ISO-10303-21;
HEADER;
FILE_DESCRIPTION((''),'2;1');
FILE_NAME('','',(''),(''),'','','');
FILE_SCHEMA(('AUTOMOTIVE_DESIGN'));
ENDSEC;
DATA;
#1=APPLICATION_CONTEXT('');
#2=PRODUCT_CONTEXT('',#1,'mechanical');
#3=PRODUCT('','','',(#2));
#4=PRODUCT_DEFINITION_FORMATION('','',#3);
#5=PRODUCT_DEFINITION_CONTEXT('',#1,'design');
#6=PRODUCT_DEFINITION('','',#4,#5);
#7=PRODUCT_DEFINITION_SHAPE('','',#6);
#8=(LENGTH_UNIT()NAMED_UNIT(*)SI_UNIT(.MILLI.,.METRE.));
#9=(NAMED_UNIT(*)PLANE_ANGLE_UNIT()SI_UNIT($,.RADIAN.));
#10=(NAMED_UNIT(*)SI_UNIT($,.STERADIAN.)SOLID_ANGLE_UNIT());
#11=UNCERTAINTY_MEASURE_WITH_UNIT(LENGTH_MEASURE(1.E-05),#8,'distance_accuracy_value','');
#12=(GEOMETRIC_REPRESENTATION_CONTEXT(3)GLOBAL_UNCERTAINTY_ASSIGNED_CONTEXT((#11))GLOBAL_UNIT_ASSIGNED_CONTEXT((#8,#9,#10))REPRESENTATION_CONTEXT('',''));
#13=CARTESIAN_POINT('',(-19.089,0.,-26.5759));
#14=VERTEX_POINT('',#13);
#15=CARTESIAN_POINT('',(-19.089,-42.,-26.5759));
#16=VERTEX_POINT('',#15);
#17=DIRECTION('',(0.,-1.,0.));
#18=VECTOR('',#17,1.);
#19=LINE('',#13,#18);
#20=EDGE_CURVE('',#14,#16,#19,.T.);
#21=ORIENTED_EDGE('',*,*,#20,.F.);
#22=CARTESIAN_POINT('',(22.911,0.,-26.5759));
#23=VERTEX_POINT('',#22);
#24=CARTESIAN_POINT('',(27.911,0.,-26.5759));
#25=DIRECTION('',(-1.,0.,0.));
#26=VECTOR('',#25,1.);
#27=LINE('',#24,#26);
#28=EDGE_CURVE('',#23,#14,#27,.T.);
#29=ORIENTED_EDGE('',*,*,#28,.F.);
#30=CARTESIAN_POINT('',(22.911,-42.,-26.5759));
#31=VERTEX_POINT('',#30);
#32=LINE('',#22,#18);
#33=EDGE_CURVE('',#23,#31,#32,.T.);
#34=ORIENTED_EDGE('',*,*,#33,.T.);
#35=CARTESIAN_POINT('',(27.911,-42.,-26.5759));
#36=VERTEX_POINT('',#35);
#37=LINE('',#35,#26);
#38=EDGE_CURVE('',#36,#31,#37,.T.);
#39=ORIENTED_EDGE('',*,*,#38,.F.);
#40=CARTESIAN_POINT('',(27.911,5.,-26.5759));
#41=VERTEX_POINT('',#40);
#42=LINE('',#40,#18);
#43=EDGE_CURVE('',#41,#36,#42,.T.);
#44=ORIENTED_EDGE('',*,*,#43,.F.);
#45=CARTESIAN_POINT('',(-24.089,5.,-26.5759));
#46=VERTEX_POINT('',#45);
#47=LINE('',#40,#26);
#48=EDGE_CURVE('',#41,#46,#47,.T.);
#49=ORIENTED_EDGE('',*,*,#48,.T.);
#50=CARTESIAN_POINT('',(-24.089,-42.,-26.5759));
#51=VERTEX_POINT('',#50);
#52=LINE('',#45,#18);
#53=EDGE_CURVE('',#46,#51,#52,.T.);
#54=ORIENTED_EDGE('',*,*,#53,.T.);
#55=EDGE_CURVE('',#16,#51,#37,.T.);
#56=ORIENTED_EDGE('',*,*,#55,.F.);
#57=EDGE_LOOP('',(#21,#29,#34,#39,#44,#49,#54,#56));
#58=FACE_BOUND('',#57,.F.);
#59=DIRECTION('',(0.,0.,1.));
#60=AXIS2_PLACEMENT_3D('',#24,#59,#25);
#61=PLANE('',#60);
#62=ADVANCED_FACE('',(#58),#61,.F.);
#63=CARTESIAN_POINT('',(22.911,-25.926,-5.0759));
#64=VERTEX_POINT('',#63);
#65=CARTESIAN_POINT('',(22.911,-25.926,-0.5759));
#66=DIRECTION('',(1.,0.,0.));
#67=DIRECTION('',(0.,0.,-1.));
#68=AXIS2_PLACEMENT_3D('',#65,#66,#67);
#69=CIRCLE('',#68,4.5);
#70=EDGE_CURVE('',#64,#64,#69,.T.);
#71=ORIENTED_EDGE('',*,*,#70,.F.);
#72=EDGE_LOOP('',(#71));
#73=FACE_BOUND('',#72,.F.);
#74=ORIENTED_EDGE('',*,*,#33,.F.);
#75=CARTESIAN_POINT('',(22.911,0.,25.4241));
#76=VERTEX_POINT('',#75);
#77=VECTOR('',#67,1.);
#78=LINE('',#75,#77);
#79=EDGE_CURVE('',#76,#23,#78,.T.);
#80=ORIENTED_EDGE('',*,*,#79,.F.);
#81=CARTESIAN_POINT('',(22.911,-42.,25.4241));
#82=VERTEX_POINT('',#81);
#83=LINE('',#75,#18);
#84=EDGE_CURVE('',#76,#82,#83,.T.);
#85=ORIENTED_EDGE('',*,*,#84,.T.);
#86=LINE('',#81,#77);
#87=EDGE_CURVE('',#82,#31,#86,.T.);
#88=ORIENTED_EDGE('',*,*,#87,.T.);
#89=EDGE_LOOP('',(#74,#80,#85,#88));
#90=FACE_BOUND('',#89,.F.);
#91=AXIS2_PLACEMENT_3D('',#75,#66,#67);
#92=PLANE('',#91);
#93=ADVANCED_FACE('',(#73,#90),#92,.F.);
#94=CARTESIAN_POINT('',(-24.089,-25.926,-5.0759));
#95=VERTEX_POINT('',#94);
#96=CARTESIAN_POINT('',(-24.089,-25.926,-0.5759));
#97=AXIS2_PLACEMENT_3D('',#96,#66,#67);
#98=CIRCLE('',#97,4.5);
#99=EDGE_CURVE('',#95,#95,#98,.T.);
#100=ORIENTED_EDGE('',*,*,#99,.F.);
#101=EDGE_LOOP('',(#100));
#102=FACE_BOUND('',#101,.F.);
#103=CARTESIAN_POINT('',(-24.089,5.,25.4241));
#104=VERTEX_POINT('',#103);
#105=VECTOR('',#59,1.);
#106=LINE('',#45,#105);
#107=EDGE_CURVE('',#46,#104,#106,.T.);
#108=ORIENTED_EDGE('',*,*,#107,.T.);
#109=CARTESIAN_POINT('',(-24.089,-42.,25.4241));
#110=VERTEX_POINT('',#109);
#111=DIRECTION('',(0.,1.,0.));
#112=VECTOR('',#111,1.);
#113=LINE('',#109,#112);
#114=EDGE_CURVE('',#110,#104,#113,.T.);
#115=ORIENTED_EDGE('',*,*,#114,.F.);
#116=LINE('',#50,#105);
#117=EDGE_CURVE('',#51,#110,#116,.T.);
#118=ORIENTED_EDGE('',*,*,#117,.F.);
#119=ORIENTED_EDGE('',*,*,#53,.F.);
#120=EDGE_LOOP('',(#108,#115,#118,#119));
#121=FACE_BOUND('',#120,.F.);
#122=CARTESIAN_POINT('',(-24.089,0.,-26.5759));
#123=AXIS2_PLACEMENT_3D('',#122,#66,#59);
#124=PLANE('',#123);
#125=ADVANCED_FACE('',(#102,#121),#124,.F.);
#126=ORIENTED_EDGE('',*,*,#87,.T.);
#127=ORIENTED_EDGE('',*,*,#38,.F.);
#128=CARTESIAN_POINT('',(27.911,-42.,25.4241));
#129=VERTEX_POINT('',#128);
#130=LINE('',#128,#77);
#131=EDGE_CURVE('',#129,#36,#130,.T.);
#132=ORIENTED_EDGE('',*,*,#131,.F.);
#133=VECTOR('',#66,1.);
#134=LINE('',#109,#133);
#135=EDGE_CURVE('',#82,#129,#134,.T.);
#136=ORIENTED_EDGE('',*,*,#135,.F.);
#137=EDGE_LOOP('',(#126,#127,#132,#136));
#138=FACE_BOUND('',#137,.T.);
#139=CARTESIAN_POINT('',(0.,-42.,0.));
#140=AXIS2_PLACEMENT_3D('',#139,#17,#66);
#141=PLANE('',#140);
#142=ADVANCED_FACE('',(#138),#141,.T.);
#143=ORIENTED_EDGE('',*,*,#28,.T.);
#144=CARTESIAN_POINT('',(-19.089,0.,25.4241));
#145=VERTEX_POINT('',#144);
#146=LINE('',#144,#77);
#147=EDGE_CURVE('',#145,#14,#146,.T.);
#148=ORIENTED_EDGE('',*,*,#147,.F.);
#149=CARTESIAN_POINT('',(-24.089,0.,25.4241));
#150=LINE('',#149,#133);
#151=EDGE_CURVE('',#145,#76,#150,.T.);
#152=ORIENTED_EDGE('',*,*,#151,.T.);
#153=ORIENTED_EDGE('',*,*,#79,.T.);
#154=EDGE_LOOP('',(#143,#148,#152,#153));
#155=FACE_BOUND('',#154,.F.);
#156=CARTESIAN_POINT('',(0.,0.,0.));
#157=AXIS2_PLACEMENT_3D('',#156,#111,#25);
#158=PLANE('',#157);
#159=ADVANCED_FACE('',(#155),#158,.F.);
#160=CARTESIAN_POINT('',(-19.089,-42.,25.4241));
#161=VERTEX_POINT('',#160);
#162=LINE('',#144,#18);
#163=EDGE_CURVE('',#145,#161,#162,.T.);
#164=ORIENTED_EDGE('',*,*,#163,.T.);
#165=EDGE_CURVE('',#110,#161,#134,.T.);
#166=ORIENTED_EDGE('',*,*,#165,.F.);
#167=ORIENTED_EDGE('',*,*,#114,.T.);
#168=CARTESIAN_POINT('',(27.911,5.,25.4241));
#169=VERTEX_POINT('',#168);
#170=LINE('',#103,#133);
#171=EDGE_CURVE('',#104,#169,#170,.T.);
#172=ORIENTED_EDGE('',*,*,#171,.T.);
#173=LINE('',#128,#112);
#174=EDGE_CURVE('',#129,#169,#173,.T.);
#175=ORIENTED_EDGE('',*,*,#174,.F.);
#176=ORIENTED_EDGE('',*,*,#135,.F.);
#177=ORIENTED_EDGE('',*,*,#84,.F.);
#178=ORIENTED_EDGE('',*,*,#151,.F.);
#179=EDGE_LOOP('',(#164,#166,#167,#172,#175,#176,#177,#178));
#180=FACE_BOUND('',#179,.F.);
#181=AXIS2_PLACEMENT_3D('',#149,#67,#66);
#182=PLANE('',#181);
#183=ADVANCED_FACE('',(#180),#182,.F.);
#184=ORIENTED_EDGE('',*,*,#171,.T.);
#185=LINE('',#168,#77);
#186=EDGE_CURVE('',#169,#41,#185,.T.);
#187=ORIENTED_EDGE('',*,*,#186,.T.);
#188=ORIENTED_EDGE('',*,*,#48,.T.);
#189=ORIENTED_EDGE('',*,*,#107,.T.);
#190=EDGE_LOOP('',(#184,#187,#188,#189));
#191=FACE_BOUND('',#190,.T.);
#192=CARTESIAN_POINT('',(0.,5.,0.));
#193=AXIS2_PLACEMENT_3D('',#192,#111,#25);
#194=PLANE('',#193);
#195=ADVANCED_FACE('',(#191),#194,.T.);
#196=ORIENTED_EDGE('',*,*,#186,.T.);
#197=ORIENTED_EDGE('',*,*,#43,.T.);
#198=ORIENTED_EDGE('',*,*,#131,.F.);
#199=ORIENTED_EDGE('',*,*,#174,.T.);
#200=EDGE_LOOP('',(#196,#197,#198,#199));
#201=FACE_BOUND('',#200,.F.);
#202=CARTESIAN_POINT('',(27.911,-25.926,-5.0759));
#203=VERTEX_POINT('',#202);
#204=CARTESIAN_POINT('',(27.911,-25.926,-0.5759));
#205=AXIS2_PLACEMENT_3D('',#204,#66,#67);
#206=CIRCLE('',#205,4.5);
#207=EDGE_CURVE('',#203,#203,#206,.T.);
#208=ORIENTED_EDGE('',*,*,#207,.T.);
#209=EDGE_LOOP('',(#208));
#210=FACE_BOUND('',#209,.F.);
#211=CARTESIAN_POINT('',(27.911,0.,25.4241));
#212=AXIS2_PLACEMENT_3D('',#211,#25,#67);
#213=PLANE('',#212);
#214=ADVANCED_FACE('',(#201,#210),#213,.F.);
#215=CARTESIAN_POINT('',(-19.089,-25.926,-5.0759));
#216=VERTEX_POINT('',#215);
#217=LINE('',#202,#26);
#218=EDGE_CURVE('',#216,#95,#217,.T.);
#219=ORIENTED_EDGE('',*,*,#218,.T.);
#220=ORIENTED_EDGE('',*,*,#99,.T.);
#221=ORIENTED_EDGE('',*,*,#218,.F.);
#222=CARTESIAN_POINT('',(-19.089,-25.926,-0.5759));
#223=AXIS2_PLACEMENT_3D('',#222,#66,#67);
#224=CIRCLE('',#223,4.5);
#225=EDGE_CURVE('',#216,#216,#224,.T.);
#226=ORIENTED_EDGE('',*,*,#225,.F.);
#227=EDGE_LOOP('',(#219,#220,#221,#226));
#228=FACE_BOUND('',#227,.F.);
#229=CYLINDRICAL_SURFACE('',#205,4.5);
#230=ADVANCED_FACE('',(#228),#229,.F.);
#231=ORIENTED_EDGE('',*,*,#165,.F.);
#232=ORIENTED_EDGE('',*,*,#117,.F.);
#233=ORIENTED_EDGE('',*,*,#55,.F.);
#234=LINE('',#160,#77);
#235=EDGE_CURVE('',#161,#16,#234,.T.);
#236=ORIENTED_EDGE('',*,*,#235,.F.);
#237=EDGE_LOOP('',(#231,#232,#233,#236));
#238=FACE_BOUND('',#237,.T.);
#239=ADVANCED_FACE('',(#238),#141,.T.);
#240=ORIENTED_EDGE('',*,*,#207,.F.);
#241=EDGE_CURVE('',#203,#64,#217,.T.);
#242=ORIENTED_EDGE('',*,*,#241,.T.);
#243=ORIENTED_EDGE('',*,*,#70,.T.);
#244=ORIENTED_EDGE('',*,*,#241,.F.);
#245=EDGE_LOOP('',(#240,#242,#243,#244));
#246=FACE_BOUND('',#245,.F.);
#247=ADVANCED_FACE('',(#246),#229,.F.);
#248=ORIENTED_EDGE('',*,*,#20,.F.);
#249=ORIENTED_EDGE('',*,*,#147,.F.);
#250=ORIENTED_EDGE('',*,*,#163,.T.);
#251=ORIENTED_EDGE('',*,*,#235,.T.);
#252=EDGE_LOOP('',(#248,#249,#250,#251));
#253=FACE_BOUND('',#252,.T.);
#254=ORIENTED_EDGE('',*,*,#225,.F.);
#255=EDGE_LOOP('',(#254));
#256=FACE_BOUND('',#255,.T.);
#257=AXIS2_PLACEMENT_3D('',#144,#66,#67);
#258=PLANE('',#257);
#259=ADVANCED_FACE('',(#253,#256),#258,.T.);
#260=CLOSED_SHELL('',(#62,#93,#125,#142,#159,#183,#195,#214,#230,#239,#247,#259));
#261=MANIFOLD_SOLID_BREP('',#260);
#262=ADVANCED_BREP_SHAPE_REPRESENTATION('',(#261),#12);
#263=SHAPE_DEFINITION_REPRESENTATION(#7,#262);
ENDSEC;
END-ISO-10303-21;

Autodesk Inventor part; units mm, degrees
ref_plane "YZ Plane" through (0, 0, 0) normal (1, 0, 0) x (0, 1, 0)
ref_plane "XZ Plane" through (0, 0, 0) normal (0, 1, 0) x (-1, 0, 0)
ref_plane "XY Plane" through (0, 0, 0) normal (0, 0, 1) x (1, 0, 0)
sketch "스케치1" plane through (0, 0, 0) normal (0, 1, 0) x (-1, 0, 0)
  line L0 (24.089, 25.4241) -> (-27.911, 25.4241)
  line L1 (-27.911, 25.4241) -> (-27.911, -26.5759)
  line L2 (-27.911, -26.5759) -> (24.089, -26.5759)
  line L3 (24.089, -26.5759) -> (24.089, 25.4241)
  point P0 (0, 0)
  dimension "d0" = 52
  dimension "d1" = 52
extrude "돌출2" add sketch "스케치1" along normal blind 5
sketch "스케치2" plane through (0, 0, 0) normal (0, -1, 0) x (1, 0, 0)
  line L0 (27.911, 25.4241) -> (27.911, -26.5759) projected
  line L1 (-24.089, 25.4241) -> (27.911, 25.4241) projected
  line L2 (-24.089, -26.5759) -> (-24.089, 25.4241) projected
  line L3 (27.911, -26.5759) -> (-24.089, -26.5759) projected
  line L4 (-24.089, 25.4241) -> (-19.089, 25.4241)
  line L5 (-19.089, 25.4241) -> (-19.089, -26.5759)
  line L6 (-19.089, -26.5759) -> (-24.089, -26.5759)
  line L7 (-24.089, -26.5759) -> (-24.089, 25.4241)
  line L8 (27.911, 25.4241) -> (22.911, 25.4241)
  line L9 (22.911, 25.4241) -> (22.911, -26.5759)
  line L10 (22.911, -26.5759) -> (27.911, -26.5759)
  line L11 (27.911, -26.5759) -> (27.911, 25.4241)
  point P0 (0, 0)
  dimension "d8" = 5
  dimension "d9" = 5
extrude "돌출3" add sketch "스케치2" along normal blind 42 contours L0 L3 L9 L1 | L5 L3 L2 L1
sketch "스케치4" plane through (0, 5, 0) normal (0, 1, 0) x (1, 0, 0)
  line L0 (27.911, -25.4241) -> (27.911, 26.5759) projected
  line L1 (27.911, 26.5759) -> (-24.089, 26.5759) projected
  line L2 (-24.089, 26.5759) -> (-24.089, -25.4241) projected
  line L3 (-24.089, -25.4241) -> (27.911, -25.4241) projected
  line L4 (27.911, 26.5759) -> (38.911, 26.5759)
  line L5 (38.911, 26.5759) -> (38.911, -25.4241)
  line L6 (38.911, -25.4241) -> (27.911, -25.4241)
  line L7 (27.911, -25.4241) -> (27.911, 26.5759)
  line L8 (-24.089, 26.5759) -> (-36.089, 26.5759)
  line L9 (-36.089, 26.5759) -> (-36.089, -25.4241)
  line L10 (-36.089, -25.4241) -> (-24.089, -25.4241)
  line L11 (-24.089, -25.4241) -> (-24.089, 26.5759)
  line L12 (-24.089, 26.5759) -> (27.911, 26.5759)
  line L13 (27.911, 26.5759) -> (27.911, -25.4241)
  line L14 (27.911, -25.4241) -> (-24.089, -25.4241)
  line L15 (-24.089, -25.4241) -> (-24.089, 26.5759)
  line L16 (-24.089, -15.4219) -> (-4.089, -25.4241)
  point P0 (0, 0)
  point P1 (-24.089, -25.4241)
  dimension "d12" = 11
  dimension "d13" = 12
  dimension "d32" = 0
  dimension "d33" = 52
  dimension "d34" = 52
  dimension "d35" = 0
  dimension "d36" = 52
  dimension "d37" = 52
  dimension "d38" = 26.57
  dimension "d39" = 20
sketch "스케치8" plane through (27.911, -42, 25.4241) normal (1, 0, 0) x (0, 0, -1)
  line L0 (52, 0) -> (52, 47) projected
  line L1 (0, 47) -> (52, 47) projected
  line L2 (0, 47) -> (0, 0) projected
  line L3 (52, 0) -> (0, 0) projected
  circle A0 centre (26, 16.074) radius 4.5
  point P0 (25.4241, 42)
  point P1 (26, 0)
  dimension "d26" = 9
  dimension "d27" = 16.074
extrude "돌출8" cut sketch "스케치8" along normal mid plane 150 contours A0
properties part number "new_camera_case_front"
